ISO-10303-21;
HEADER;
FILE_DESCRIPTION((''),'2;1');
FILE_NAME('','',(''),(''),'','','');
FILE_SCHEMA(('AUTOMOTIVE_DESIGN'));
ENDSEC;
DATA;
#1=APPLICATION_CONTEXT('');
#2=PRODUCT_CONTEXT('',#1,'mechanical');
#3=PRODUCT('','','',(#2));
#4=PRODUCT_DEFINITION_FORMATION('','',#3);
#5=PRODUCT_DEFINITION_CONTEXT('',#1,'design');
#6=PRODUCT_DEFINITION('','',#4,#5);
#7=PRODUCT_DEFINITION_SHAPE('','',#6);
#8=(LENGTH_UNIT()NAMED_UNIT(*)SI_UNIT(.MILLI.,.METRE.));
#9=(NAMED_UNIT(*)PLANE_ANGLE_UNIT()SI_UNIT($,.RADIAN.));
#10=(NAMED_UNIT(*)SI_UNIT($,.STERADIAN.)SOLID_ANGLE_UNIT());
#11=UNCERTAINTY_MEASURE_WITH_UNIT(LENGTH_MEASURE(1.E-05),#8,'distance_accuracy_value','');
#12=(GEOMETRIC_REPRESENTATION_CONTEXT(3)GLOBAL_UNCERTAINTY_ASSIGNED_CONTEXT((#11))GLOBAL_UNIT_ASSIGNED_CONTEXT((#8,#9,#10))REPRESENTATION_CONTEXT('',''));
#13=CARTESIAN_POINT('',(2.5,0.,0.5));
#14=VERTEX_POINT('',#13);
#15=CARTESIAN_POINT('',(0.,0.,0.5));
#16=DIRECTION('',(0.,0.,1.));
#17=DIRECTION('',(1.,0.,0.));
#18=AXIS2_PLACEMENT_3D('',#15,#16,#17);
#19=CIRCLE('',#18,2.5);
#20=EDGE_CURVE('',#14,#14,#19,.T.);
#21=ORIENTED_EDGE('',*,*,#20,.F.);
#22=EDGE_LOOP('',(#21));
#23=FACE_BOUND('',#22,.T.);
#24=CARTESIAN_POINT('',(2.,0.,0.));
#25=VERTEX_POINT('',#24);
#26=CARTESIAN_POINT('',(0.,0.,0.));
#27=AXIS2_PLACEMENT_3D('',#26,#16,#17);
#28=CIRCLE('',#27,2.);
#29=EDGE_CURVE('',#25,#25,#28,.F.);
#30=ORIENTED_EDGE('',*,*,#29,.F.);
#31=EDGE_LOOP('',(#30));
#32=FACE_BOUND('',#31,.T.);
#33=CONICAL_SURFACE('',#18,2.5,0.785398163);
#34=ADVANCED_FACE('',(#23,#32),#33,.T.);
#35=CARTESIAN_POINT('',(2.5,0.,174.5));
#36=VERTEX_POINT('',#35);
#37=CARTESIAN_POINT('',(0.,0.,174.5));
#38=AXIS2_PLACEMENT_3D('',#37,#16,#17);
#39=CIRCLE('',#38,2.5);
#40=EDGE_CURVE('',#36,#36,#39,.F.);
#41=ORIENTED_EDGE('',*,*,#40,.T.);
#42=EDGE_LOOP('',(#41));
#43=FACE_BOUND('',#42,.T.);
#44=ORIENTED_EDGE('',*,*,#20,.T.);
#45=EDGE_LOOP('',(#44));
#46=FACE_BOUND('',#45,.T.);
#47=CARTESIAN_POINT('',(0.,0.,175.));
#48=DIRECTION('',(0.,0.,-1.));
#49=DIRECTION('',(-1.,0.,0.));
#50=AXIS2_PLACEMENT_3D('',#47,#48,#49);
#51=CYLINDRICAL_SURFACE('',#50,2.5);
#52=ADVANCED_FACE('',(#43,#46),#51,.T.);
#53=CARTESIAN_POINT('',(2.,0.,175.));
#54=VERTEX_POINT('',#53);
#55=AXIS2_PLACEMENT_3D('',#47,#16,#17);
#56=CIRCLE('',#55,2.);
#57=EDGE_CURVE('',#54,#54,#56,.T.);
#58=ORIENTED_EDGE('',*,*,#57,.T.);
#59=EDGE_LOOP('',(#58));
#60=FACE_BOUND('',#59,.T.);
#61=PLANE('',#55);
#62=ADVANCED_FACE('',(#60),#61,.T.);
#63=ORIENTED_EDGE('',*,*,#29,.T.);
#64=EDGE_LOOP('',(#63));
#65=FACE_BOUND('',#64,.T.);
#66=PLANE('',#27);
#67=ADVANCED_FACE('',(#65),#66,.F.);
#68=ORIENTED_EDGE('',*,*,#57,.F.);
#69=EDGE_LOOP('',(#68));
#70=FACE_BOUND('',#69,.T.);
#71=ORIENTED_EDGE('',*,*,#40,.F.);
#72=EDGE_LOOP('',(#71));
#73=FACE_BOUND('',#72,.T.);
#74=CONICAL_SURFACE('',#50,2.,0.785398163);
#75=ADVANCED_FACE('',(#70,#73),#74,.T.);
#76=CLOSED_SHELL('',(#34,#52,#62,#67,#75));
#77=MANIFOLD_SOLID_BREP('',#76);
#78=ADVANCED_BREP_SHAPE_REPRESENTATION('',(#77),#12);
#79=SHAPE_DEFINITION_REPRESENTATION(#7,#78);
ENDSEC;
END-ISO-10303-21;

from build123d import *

# Parameters (mm, degrees)
SKETCH1_R      = 2.5
EXTRUDE1_DEPTH = 175
CHAMFER1_SIZE  = 0.5


with BuildPart() as part:
    # Sketch1 → Extrude1 (new body)
    with BuildSketch(Plane.XY):
        Circle(SKETCH1_R)
    extrude(amount=EXTRUDE1_DEPTH)

    # Chamfer1
    chamfer1_edges = [part.edges().sort_by_distance(p)[0] for p in [
        (-2.5, 0, 0),
        (-2.5, 0, 175),
    ]]
    chamfer(chamfer1_edges, length=CHAMFER1_SIZE)


solid = part.part
